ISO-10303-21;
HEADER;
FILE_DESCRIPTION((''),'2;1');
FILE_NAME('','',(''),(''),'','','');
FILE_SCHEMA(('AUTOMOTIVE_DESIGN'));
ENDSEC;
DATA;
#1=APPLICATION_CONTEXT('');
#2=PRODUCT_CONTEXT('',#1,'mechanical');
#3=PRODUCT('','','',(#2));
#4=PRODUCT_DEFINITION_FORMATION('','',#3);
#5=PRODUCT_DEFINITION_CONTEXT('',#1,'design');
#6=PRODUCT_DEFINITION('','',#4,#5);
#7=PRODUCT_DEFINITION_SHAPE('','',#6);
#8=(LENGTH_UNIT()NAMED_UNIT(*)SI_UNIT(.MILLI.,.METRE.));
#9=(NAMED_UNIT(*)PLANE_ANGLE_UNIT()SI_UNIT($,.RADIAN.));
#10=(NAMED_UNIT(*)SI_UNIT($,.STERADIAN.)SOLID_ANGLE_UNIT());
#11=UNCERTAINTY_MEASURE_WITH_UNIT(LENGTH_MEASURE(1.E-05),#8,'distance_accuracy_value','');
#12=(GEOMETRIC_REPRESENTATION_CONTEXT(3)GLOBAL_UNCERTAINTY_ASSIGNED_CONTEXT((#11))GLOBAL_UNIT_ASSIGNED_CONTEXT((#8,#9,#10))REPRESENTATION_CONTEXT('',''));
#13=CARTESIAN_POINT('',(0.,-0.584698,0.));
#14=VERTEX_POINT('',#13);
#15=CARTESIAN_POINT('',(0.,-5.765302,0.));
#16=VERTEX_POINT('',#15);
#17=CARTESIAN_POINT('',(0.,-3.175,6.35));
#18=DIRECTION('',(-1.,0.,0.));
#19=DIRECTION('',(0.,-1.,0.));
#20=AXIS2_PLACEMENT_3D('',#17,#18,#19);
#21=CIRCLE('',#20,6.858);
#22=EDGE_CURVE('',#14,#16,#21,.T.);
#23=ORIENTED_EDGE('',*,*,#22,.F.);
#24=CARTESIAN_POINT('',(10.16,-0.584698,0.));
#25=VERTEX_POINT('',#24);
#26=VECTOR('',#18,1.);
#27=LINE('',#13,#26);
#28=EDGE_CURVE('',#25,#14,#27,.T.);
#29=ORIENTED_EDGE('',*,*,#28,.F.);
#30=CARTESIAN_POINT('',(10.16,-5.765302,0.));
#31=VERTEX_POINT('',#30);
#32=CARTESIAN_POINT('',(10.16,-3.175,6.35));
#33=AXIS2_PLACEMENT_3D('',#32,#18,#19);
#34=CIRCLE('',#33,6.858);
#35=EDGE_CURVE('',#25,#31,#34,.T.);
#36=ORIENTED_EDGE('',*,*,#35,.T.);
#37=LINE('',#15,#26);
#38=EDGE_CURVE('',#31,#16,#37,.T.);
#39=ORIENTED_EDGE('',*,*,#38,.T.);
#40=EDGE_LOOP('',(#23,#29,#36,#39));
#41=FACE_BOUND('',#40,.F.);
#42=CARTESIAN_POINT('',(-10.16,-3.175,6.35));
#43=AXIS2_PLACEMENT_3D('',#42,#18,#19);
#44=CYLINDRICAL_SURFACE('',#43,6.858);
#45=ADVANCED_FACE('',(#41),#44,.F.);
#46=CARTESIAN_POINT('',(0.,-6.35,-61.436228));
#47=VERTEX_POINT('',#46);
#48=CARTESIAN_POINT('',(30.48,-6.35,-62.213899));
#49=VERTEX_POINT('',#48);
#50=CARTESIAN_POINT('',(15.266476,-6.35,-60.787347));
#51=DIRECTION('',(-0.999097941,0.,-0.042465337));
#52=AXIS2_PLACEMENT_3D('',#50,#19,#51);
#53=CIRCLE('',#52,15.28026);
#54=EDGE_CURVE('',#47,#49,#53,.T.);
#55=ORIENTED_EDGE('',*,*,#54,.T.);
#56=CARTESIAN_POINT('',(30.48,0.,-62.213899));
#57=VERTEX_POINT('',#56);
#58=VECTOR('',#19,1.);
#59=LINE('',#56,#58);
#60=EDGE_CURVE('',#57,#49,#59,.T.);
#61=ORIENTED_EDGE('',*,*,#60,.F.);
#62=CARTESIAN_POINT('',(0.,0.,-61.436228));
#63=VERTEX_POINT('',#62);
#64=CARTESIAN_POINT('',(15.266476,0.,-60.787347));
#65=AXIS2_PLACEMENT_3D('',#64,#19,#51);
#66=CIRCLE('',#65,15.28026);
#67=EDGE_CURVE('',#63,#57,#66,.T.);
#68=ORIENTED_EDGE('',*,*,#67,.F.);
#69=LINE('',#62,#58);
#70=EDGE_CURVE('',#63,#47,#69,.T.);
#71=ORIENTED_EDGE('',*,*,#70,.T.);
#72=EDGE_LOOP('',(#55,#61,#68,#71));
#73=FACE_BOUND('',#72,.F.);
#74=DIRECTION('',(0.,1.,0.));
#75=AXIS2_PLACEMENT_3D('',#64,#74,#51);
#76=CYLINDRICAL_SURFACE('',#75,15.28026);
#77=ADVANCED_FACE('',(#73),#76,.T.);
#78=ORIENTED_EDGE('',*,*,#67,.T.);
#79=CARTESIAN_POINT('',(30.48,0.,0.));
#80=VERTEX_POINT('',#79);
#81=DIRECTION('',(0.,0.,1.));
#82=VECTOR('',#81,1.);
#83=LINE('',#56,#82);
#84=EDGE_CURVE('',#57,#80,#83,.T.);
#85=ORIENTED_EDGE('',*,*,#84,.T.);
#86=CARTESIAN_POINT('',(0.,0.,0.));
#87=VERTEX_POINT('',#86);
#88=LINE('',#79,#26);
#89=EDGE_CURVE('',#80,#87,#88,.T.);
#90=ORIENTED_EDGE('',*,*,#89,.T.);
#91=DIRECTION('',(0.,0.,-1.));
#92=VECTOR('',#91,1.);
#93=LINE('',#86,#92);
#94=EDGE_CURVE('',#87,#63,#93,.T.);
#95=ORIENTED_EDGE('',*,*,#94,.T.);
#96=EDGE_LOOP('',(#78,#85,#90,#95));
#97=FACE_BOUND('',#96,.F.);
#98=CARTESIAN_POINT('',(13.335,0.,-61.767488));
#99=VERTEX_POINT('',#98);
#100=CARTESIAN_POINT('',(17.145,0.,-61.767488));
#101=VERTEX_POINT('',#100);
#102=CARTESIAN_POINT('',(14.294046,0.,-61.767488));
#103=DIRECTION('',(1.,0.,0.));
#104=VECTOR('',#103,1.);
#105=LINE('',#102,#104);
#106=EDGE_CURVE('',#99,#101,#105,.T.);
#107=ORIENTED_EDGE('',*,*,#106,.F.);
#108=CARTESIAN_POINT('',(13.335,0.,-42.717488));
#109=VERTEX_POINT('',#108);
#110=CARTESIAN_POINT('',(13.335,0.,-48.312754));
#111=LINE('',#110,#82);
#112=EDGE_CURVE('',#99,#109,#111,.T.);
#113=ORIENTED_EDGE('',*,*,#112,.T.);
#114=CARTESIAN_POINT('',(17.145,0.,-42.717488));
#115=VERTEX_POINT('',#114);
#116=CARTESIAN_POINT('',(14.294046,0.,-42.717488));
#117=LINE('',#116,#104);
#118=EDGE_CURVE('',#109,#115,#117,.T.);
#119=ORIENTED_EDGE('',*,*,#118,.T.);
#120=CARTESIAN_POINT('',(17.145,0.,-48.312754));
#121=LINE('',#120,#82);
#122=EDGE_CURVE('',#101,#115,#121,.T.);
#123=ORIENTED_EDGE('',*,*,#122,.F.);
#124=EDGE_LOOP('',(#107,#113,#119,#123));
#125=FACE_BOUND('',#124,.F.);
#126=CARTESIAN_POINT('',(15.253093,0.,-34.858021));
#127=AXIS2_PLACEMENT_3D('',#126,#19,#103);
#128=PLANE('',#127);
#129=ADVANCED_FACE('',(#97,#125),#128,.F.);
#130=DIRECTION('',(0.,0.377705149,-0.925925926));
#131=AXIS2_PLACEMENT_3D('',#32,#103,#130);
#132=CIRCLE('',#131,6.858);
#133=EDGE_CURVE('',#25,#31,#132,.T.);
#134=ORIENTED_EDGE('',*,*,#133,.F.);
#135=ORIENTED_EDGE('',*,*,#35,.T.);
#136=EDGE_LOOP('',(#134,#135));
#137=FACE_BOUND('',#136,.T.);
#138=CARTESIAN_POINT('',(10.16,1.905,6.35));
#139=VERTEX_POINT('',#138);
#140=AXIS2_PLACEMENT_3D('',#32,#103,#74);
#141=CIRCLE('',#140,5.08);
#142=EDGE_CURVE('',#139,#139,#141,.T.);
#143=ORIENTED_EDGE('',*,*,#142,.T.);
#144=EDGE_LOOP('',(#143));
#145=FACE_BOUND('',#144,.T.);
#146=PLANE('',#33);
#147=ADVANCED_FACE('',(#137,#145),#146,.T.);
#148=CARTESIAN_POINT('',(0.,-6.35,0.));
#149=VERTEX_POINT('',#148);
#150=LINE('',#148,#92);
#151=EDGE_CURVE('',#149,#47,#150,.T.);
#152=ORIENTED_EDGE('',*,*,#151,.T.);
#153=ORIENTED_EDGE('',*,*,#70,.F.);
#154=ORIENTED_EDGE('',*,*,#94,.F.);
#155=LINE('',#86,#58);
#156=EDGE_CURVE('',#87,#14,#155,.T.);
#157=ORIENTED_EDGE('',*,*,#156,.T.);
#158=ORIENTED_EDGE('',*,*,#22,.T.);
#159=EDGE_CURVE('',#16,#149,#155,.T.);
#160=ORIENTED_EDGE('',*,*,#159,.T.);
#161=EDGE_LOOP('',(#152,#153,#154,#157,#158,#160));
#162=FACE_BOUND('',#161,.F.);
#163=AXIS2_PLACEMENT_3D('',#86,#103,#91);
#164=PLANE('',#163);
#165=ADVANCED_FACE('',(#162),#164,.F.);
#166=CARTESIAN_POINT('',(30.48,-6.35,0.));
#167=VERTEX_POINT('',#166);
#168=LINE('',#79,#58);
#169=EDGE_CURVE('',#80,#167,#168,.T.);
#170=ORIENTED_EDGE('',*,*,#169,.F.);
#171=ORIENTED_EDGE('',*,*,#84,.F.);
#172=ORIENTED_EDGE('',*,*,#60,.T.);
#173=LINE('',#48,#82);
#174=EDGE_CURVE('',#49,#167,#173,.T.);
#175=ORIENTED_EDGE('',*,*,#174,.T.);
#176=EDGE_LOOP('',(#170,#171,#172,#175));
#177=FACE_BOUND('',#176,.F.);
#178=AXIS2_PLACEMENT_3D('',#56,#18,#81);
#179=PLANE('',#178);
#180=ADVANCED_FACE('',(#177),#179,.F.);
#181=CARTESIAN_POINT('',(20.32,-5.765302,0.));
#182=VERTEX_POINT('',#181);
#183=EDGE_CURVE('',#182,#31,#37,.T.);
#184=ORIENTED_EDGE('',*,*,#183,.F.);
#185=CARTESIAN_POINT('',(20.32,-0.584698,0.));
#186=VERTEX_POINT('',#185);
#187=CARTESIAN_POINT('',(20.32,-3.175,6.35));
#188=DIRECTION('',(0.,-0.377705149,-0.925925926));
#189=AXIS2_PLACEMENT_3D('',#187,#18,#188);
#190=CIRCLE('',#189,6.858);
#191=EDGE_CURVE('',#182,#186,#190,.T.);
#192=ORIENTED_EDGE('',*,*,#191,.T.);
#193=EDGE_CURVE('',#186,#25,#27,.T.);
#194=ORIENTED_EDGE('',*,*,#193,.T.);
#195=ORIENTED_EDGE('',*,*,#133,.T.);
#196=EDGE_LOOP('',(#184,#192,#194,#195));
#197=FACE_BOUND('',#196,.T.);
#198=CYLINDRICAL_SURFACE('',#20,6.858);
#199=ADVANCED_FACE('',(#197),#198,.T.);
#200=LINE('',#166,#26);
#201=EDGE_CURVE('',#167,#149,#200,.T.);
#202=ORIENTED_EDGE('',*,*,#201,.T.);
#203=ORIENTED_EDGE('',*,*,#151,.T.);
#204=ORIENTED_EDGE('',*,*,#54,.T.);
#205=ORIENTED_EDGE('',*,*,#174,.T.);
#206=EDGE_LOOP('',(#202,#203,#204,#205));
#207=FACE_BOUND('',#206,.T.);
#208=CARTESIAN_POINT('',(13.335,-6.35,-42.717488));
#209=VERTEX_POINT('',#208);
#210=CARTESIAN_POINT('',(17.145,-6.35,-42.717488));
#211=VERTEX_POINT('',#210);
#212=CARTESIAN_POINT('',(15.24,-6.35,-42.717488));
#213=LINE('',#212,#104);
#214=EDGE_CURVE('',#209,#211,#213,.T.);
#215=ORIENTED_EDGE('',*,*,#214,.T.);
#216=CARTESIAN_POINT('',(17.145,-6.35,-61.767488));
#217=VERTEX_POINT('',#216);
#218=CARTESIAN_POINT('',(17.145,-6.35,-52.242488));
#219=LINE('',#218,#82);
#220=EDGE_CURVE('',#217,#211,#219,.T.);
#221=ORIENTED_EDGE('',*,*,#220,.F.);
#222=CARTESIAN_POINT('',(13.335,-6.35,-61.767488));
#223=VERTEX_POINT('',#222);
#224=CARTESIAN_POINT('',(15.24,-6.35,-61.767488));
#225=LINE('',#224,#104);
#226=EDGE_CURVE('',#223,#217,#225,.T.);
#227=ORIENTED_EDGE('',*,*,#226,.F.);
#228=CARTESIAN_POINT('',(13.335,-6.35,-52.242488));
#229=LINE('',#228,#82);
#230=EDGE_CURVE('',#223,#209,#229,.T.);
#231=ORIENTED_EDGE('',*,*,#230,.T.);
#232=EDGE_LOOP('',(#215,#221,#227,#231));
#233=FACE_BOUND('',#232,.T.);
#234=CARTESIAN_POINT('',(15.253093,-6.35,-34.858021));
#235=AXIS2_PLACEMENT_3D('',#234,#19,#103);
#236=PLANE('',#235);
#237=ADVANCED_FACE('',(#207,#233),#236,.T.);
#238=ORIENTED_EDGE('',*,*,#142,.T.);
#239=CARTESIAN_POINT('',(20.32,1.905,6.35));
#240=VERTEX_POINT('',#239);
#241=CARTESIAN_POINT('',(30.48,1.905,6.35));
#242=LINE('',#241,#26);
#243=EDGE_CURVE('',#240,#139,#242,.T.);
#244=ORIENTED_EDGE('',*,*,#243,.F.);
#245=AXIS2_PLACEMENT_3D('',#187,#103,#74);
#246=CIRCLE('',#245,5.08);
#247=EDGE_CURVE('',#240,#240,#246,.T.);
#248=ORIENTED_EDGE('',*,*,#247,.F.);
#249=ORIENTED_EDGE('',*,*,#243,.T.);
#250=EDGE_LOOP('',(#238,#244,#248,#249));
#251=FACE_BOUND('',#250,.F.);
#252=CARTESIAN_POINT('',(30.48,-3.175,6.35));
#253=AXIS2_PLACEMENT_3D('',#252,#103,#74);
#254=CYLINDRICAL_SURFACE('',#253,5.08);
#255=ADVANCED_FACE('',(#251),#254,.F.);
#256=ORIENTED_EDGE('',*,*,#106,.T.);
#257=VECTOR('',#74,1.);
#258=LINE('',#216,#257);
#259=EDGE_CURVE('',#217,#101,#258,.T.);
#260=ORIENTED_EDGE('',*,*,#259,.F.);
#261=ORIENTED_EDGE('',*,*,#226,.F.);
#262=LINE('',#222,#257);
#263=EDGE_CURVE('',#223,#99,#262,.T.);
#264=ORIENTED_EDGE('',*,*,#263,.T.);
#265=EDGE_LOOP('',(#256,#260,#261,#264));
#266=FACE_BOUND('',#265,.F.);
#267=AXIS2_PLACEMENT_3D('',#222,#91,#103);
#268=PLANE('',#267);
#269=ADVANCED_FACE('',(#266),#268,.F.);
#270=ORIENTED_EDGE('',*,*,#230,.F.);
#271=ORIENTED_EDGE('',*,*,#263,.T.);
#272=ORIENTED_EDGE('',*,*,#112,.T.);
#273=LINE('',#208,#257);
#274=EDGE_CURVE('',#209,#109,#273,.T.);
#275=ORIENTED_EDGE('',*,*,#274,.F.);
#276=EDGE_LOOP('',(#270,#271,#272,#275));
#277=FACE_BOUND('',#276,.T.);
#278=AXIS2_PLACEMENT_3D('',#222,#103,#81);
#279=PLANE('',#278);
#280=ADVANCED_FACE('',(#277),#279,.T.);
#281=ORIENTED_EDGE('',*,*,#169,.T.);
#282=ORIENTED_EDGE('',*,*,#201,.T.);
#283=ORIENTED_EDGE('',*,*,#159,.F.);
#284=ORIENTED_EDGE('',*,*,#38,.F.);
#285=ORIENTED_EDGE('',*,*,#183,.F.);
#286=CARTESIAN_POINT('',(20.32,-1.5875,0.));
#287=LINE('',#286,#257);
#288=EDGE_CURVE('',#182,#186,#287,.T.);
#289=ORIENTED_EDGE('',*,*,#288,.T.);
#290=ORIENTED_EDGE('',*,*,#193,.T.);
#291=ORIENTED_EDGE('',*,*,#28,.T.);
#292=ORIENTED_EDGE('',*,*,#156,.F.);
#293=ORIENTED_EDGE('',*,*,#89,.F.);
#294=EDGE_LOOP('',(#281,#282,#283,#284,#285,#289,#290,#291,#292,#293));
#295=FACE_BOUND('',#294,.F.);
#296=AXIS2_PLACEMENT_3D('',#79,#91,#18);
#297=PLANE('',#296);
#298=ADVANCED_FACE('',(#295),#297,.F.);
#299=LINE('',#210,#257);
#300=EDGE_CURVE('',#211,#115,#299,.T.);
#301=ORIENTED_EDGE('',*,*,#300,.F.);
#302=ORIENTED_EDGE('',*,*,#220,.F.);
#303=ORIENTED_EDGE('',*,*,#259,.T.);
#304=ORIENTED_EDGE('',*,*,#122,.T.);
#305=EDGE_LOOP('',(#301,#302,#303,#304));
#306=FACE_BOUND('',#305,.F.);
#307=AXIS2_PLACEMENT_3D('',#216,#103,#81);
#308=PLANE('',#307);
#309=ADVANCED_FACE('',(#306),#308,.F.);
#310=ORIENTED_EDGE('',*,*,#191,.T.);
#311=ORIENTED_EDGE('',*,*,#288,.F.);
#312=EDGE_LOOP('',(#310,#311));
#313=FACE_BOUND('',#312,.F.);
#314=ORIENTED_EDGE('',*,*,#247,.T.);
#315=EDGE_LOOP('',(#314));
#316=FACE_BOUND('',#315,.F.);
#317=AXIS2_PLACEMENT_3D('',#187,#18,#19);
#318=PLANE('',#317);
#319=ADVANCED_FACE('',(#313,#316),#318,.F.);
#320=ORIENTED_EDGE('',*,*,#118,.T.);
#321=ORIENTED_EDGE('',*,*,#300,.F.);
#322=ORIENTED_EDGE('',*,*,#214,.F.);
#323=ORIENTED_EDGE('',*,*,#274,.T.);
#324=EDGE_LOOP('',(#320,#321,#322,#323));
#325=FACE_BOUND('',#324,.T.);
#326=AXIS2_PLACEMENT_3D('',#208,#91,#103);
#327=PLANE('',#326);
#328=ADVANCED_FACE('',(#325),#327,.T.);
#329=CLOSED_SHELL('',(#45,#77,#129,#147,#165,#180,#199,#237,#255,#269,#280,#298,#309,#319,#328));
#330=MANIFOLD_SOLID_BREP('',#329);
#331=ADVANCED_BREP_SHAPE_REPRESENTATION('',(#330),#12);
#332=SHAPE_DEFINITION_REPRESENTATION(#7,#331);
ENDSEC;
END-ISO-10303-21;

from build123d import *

# Parameters (mm, degrees)
F1_DEPTH      = 6.35
F2_R          = 6.858
F3_DEPTH      = 10.16
F3_DEPTH_BACK = 20.32
F4_R          = 5.08
F5_DEPTH      = 30.48
F6_DEPTH      = 20.32
F7_W          = 3.81
F7_H          = 19.05
F8_DEPTH      = 25.4


with BuildPart() as f1:
    # F0 (on Front) → F1 (new body)
    with BuildSketch(Plane.XZ):
        with BuildLine():
            Line((30.48, 0), (0, 0))
            Line((0, 0), (0, -61.4362284541))
            ThreePointArc((0, -61.4362284541), (14.8767406092, -76.0626361349), (30.48, -62.2138993989))
            Line((30.48, -62.2138993989), (30.48, -59.360794723))
            Line((30.48, -59.360794723), (30.48, 0))
        make_face()
    extrude(amount=F1_DEPTH)

    # F2 (on face) → F3 (join, two sides)
    with BuildSketch(Plane(origin=(0, 0, 0), x_dir=(0, -1, 0), z_dir=(-1, 0, 0))) as f3_sk:
        with Locations((3.175, 6.35)):
            Circle(F2_R)
    extrude(amount=F3_DEPTH)
    extrude(f3_sk.sketch, amount=-F3_DEPTH_BACK)

    # F4 (on face) → F5 (cut)
    with BuildSketch(Plane.YZ.offset(30.48)):
        with Locations((-3.175, 6.35)):
            Circle(F4_R)
    extrude(amount=-F5_DEPTH, mode=Mode.SUBTRACT)

    # F6 (cut): a face of the model
    f6_faces = [f1.faces().sort_by_distance(p)[0] for p in [
        (-10.16, -3.175, 6.35),
    ]]
    extrude(f6_faces, amount=-F6_DEPTH, mode=Mode.SUBTRACT)

    # F7 (on face) → F8 (cut)
    with BuildSketch(Plane.XZ.offset(6.35)):
        with Locations((15.24, -52.242487669)):
            Rectangle(F7_W, F7_H)
    extrude(amount=-F8_DEPTH, mode=Mode.SUBTRACT)


solid = f1.part
